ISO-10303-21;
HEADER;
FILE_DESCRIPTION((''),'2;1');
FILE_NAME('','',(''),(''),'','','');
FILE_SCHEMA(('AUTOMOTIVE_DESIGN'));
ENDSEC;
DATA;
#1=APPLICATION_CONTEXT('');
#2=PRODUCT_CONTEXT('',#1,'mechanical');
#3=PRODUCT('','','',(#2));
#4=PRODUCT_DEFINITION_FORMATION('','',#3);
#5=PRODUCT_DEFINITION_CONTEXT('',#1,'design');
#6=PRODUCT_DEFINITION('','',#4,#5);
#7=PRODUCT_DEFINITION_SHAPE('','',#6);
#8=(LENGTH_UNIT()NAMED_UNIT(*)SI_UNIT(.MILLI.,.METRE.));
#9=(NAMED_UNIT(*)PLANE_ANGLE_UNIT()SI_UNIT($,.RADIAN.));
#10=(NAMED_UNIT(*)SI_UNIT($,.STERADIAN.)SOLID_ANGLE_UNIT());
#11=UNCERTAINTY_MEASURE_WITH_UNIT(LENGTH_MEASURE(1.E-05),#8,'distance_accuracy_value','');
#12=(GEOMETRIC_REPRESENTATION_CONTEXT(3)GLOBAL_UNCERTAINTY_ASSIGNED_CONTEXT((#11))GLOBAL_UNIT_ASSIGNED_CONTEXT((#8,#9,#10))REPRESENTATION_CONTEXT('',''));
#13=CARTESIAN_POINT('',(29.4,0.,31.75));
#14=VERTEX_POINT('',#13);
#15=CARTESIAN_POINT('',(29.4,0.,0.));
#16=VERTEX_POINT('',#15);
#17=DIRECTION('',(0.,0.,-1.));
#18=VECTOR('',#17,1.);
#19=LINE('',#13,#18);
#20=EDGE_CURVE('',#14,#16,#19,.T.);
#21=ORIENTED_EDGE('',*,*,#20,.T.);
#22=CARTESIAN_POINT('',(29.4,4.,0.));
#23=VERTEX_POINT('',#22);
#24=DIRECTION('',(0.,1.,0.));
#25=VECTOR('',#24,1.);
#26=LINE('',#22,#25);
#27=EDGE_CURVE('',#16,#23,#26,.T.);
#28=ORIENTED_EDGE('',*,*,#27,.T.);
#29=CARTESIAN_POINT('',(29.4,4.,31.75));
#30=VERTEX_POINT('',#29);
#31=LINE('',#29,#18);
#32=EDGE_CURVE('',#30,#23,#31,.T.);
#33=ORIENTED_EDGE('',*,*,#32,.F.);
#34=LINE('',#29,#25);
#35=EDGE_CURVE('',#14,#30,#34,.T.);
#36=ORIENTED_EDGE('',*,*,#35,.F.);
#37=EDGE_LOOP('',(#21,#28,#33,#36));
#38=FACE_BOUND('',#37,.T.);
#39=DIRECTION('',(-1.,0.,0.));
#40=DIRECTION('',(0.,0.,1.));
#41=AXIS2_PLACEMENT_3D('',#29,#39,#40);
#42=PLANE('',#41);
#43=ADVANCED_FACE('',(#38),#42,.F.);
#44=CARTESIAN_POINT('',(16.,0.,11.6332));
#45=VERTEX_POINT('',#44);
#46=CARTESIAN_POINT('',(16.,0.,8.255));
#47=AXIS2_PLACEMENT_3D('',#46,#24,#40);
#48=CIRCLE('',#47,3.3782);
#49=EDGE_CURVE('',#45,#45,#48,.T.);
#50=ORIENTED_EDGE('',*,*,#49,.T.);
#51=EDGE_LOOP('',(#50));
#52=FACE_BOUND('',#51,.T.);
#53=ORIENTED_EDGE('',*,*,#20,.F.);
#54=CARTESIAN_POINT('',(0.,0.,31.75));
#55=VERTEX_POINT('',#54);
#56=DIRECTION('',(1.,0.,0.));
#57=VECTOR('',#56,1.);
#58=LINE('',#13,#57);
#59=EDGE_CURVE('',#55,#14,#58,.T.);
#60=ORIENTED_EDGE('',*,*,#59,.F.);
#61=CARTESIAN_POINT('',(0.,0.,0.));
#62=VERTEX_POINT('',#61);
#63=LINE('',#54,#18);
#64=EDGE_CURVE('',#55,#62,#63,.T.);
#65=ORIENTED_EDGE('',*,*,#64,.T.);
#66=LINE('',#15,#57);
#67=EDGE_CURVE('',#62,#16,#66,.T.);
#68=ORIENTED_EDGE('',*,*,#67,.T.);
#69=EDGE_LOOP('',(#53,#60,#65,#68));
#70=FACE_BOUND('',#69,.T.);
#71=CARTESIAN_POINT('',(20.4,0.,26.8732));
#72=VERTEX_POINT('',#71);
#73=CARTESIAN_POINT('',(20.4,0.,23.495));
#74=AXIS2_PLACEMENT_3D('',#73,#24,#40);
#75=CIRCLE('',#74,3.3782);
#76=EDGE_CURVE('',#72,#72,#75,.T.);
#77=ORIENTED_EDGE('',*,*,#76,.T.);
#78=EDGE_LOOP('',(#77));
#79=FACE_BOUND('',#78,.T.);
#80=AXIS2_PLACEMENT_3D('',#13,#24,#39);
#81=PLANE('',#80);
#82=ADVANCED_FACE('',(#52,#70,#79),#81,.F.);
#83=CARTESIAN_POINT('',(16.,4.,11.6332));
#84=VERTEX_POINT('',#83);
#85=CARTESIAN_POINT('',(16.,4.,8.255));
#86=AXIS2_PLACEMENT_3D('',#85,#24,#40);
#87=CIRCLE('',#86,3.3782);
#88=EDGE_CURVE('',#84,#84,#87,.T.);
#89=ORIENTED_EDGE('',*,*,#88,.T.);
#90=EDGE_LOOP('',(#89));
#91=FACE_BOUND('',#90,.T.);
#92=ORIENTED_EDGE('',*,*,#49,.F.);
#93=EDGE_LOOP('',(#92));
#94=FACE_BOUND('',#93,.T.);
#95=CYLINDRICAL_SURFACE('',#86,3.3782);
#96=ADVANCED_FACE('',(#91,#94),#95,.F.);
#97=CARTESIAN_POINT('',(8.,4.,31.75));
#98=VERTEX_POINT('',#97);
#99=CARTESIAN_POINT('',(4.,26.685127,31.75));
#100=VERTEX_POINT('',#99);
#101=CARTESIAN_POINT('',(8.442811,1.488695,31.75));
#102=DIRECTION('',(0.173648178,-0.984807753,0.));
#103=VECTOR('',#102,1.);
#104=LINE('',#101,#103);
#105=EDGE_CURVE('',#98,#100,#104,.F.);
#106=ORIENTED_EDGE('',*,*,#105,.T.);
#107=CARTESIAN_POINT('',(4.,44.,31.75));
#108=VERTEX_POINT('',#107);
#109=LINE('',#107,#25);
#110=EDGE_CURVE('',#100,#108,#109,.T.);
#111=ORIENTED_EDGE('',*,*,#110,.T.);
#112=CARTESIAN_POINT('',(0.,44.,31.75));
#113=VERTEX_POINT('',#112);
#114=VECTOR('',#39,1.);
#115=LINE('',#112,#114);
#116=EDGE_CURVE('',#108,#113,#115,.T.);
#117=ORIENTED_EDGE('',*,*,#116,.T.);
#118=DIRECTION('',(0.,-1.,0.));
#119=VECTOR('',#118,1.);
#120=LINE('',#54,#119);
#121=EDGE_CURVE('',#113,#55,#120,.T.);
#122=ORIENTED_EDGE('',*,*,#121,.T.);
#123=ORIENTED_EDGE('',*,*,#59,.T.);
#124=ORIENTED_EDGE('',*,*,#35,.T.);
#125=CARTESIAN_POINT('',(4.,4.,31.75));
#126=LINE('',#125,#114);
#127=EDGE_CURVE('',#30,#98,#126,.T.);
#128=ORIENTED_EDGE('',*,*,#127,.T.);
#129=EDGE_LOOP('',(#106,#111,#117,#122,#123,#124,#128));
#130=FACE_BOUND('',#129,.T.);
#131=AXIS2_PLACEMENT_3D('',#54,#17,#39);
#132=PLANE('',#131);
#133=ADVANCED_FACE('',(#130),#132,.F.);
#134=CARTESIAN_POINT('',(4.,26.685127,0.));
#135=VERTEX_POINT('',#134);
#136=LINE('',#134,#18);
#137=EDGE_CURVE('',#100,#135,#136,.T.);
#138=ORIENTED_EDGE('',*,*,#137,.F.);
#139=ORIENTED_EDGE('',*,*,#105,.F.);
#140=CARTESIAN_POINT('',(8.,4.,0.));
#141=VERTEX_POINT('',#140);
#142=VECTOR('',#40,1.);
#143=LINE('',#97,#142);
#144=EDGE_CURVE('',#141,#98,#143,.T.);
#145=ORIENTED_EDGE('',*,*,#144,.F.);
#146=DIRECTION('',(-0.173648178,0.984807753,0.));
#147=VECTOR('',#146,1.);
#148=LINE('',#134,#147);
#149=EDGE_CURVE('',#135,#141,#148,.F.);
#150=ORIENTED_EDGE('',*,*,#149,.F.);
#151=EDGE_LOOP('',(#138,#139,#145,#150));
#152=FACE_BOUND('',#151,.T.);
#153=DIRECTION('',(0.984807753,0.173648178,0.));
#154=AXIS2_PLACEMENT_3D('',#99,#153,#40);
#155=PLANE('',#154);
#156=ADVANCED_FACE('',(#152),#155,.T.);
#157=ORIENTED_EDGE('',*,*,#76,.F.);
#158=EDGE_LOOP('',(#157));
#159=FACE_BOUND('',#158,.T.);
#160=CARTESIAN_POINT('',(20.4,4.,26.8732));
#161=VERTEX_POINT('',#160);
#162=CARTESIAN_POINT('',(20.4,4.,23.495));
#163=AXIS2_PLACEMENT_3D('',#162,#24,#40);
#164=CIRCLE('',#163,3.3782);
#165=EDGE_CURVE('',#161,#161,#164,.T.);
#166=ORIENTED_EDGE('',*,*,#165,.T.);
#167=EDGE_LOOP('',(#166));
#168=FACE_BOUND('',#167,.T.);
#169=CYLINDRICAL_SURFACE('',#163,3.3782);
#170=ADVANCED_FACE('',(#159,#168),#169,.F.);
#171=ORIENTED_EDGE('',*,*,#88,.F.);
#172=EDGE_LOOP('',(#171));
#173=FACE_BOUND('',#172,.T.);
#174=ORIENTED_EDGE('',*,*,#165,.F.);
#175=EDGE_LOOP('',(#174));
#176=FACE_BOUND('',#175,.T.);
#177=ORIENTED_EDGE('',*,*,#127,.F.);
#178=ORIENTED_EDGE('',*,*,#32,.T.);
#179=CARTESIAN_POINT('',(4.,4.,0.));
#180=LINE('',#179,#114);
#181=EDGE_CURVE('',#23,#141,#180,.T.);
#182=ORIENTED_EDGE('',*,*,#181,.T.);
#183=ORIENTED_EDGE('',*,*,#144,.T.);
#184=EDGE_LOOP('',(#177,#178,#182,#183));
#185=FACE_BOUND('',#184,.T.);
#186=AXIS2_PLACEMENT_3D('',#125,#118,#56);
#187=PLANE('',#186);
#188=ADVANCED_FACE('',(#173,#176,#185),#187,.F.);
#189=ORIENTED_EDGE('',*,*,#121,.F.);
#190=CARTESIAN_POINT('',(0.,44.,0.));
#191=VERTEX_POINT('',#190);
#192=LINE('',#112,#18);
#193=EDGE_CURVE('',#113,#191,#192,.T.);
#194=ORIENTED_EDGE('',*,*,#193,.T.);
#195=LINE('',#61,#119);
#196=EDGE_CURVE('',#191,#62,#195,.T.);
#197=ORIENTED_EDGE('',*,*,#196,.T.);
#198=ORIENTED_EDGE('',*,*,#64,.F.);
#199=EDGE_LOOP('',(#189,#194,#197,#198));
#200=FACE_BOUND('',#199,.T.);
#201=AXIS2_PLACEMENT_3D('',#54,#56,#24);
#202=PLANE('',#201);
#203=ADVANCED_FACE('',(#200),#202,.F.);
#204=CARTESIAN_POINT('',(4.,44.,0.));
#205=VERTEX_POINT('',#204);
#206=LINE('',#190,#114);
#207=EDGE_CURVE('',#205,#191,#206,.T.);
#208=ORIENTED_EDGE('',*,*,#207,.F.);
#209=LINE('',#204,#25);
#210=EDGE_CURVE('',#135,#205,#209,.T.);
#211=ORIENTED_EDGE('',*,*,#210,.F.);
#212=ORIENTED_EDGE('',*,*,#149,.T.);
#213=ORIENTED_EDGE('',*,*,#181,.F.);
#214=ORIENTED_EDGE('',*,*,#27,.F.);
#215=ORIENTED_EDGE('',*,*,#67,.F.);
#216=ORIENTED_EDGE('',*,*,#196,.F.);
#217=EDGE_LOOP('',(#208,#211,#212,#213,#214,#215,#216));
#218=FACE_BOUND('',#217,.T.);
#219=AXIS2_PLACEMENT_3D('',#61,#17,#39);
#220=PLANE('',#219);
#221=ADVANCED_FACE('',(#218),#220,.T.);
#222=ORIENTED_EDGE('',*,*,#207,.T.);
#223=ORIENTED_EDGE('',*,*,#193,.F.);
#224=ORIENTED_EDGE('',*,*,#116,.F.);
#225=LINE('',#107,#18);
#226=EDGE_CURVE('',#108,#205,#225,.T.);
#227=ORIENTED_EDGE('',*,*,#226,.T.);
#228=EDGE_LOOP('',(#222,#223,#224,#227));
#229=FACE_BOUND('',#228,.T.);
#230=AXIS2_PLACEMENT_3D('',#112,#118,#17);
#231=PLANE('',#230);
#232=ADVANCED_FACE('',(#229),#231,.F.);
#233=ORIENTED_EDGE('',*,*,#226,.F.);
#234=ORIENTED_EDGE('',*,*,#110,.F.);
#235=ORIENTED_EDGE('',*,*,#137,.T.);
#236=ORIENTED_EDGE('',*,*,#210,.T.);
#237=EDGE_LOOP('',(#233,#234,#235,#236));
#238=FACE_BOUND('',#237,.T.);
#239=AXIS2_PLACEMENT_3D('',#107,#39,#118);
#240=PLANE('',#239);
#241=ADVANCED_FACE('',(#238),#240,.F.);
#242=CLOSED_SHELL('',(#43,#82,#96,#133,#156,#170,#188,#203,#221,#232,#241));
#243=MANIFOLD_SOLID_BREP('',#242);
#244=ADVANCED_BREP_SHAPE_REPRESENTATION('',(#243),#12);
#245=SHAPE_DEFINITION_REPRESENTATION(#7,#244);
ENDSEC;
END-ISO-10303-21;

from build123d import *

# Parameters (mm, degrees)
BOSS_EXTRUDE1_DEPTH     = 31.75
F_1_4_CLEARANCE_HOLE1_D = 6.7564
CHAMFER1_SIZE           = 4
CHAMFER1_SIZE2          = 22.685127278


with BuildPart() as part:
    # Sketch1 → Boss-Extrude1 (new body)
    with BuildSketch(Plane.XY):
        Polygon((0, 0), (0, 44), (4, 44), (4, 4), (29.4, 4), (29.4, 0), align=None)
    extrude(amount=BOSS_EXTRUDE1_DEPTH)

    # 1/4 Clearance Hole1 (through all)
    with Locations(Plane(origin=(0, 4, 0), x_dir=(1, 0, 0), z_dir=(0, 1, 0))):
        with Locations((20.4, -23.495), (16, -8.255)):
            Hole(F_1_4_CLEARANCE_HOLE1_D / 2)

    # Chamfer1
    chamfer1_edges = [part.edges().sort_by_distance(p)[0] for p in [
        (4, 4, 15.875),
    ]]
    chamfer1_side = [part.faces().sort_by_distance(p)[0] for p in [
        (16.553612055, 4, 15.875),
    ]]
    chamfer(chamfer1_edges, length=CHAMFER1_SIZE, length2=CHAMFER1_SIZE2, reference=chamfer1_side[0])


solid = part.part
